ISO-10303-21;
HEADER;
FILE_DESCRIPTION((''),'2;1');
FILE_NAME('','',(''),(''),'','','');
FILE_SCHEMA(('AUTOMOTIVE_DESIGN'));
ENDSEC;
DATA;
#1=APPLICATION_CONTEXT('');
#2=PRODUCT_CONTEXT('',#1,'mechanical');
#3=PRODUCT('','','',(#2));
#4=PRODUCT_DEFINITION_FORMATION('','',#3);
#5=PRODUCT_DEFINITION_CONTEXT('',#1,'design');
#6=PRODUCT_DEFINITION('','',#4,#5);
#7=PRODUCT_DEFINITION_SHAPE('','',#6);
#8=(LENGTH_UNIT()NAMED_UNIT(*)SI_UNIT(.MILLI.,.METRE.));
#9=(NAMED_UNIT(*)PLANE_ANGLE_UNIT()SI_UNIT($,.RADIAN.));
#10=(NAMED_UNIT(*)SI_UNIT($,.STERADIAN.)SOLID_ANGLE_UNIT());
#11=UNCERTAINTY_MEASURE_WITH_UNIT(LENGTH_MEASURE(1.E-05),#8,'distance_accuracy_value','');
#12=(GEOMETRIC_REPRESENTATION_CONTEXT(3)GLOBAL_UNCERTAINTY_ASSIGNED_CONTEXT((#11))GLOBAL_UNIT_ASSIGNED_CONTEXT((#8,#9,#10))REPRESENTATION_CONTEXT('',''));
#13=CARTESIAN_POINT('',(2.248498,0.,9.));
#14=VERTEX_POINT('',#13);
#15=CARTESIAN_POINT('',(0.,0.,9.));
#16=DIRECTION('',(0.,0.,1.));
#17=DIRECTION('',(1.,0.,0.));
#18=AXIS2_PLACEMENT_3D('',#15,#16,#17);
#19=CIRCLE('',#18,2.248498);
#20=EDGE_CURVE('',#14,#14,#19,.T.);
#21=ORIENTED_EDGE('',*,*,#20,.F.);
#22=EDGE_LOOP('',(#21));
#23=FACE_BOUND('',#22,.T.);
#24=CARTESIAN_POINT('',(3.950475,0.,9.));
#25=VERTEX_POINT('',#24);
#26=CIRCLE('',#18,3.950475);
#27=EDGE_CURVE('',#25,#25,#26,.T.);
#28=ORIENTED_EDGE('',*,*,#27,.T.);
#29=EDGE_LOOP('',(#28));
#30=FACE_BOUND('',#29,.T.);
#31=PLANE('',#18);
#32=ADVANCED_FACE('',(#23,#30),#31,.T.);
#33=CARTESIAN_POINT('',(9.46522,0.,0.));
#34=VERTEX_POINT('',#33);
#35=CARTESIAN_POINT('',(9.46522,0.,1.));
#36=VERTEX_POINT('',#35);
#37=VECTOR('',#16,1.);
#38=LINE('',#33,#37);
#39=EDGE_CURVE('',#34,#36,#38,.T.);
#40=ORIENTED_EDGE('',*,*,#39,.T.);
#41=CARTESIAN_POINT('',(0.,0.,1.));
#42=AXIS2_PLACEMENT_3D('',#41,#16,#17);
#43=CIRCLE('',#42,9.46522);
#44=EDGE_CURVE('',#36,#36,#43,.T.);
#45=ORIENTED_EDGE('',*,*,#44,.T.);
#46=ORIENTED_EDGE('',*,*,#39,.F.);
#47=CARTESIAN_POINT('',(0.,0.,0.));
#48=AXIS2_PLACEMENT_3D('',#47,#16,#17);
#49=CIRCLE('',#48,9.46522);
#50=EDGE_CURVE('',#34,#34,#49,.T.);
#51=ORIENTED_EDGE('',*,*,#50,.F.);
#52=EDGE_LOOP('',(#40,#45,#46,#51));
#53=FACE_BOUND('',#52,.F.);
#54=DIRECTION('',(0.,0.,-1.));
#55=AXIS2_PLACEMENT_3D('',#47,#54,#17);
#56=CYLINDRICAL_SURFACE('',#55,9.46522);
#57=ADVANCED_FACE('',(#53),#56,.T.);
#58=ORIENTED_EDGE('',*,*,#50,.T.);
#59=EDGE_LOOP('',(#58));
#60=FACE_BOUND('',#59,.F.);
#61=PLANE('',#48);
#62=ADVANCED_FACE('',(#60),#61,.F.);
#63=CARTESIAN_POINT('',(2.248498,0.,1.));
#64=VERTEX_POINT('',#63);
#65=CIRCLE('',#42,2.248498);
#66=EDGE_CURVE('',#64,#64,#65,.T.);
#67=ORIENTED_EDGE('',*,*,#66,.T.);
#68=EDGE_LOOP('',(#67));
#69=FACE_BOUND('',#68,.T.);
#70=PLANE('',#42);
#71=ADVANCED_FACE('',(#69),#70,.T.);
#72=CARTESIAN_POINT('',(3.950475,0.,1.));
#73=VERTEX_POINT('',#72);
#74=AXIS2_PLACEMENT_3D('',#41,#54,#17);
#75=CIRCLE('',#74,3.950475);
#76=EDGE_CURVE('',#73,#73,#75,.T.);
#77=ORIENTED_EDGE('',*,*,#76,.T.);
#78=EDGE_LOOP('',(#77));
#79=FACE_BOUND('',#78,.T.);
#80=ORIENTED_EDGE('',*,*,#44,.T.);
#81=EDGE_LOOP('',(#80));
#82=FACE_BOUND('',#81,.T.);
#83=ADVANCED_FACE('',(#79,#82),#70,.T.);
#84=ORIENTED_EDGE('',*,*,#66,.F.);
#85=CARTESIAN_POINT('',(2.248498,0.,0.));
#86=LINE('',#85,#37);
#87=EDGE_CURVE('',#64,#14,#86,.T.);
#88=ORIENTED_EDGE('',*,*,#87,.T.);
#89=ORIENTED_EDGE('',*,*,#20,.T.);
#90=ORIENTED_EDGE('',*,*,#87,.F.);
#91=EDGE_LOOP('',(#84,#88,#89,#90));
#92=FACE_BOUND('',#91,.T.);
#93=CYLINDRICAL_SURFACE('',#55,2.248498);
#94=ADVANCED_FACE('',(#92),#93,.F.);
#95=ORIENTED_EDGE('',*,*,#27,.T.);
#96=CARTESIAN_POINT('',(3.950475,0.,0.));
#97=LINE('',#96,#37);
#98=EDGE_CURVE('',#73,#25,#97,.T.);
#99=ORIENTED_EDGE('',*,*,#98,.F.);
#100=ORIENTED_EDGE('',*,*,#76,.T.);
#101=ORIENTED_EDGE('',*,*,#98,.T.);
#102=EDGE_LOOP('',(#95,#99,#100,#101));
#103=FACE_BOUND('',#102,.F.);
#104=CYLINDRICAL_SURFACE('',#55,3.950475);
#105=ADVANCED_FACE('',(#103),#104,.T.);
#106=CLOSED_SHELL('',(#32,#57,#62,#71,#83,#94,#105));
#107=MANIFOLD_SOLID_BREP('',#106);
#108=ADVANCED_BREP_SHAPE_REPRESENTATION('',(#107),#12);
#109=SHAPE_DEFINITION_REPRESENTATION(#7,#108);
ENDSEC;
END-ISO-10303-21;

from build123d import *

# Parameters (mm, degrees)
F0_R     = 9.46522
F3_DEPTH = 1
F1_R     = 3.950475
F4_DEPTH = 9
F2_R     = 2.248498
F6_DEPTH = 9
F5_R     = 2.248498
F7_DEPTH = 1


with BuildPart() as f3:
    # F0 (on Top) → F3 (new body)
    with BuildSketch(Plane.XY):
        Circle(F0_R)
    extrude(amount=F3_DEPTH)

    # F1 (on Top) → F4 (join)
    with BuildSketch(Plane.XY):
        Circle(F1_R)
    extrude(amount=F4_DEPTH)

    # F2 (on Top) → F6 (cut)
    with BuildSketch(Plane.XY):
        Circle(F2_R)
    extrude(amount=F6_DEPTH, mode=Mode.SUBTRACT)

    # F5 (on Top) → F7 (join)
    with BuildSketch(Plane.XY):
        Circle(F5_R)
    extrude(amount=F7_DEPTH)


solid = f3.part
